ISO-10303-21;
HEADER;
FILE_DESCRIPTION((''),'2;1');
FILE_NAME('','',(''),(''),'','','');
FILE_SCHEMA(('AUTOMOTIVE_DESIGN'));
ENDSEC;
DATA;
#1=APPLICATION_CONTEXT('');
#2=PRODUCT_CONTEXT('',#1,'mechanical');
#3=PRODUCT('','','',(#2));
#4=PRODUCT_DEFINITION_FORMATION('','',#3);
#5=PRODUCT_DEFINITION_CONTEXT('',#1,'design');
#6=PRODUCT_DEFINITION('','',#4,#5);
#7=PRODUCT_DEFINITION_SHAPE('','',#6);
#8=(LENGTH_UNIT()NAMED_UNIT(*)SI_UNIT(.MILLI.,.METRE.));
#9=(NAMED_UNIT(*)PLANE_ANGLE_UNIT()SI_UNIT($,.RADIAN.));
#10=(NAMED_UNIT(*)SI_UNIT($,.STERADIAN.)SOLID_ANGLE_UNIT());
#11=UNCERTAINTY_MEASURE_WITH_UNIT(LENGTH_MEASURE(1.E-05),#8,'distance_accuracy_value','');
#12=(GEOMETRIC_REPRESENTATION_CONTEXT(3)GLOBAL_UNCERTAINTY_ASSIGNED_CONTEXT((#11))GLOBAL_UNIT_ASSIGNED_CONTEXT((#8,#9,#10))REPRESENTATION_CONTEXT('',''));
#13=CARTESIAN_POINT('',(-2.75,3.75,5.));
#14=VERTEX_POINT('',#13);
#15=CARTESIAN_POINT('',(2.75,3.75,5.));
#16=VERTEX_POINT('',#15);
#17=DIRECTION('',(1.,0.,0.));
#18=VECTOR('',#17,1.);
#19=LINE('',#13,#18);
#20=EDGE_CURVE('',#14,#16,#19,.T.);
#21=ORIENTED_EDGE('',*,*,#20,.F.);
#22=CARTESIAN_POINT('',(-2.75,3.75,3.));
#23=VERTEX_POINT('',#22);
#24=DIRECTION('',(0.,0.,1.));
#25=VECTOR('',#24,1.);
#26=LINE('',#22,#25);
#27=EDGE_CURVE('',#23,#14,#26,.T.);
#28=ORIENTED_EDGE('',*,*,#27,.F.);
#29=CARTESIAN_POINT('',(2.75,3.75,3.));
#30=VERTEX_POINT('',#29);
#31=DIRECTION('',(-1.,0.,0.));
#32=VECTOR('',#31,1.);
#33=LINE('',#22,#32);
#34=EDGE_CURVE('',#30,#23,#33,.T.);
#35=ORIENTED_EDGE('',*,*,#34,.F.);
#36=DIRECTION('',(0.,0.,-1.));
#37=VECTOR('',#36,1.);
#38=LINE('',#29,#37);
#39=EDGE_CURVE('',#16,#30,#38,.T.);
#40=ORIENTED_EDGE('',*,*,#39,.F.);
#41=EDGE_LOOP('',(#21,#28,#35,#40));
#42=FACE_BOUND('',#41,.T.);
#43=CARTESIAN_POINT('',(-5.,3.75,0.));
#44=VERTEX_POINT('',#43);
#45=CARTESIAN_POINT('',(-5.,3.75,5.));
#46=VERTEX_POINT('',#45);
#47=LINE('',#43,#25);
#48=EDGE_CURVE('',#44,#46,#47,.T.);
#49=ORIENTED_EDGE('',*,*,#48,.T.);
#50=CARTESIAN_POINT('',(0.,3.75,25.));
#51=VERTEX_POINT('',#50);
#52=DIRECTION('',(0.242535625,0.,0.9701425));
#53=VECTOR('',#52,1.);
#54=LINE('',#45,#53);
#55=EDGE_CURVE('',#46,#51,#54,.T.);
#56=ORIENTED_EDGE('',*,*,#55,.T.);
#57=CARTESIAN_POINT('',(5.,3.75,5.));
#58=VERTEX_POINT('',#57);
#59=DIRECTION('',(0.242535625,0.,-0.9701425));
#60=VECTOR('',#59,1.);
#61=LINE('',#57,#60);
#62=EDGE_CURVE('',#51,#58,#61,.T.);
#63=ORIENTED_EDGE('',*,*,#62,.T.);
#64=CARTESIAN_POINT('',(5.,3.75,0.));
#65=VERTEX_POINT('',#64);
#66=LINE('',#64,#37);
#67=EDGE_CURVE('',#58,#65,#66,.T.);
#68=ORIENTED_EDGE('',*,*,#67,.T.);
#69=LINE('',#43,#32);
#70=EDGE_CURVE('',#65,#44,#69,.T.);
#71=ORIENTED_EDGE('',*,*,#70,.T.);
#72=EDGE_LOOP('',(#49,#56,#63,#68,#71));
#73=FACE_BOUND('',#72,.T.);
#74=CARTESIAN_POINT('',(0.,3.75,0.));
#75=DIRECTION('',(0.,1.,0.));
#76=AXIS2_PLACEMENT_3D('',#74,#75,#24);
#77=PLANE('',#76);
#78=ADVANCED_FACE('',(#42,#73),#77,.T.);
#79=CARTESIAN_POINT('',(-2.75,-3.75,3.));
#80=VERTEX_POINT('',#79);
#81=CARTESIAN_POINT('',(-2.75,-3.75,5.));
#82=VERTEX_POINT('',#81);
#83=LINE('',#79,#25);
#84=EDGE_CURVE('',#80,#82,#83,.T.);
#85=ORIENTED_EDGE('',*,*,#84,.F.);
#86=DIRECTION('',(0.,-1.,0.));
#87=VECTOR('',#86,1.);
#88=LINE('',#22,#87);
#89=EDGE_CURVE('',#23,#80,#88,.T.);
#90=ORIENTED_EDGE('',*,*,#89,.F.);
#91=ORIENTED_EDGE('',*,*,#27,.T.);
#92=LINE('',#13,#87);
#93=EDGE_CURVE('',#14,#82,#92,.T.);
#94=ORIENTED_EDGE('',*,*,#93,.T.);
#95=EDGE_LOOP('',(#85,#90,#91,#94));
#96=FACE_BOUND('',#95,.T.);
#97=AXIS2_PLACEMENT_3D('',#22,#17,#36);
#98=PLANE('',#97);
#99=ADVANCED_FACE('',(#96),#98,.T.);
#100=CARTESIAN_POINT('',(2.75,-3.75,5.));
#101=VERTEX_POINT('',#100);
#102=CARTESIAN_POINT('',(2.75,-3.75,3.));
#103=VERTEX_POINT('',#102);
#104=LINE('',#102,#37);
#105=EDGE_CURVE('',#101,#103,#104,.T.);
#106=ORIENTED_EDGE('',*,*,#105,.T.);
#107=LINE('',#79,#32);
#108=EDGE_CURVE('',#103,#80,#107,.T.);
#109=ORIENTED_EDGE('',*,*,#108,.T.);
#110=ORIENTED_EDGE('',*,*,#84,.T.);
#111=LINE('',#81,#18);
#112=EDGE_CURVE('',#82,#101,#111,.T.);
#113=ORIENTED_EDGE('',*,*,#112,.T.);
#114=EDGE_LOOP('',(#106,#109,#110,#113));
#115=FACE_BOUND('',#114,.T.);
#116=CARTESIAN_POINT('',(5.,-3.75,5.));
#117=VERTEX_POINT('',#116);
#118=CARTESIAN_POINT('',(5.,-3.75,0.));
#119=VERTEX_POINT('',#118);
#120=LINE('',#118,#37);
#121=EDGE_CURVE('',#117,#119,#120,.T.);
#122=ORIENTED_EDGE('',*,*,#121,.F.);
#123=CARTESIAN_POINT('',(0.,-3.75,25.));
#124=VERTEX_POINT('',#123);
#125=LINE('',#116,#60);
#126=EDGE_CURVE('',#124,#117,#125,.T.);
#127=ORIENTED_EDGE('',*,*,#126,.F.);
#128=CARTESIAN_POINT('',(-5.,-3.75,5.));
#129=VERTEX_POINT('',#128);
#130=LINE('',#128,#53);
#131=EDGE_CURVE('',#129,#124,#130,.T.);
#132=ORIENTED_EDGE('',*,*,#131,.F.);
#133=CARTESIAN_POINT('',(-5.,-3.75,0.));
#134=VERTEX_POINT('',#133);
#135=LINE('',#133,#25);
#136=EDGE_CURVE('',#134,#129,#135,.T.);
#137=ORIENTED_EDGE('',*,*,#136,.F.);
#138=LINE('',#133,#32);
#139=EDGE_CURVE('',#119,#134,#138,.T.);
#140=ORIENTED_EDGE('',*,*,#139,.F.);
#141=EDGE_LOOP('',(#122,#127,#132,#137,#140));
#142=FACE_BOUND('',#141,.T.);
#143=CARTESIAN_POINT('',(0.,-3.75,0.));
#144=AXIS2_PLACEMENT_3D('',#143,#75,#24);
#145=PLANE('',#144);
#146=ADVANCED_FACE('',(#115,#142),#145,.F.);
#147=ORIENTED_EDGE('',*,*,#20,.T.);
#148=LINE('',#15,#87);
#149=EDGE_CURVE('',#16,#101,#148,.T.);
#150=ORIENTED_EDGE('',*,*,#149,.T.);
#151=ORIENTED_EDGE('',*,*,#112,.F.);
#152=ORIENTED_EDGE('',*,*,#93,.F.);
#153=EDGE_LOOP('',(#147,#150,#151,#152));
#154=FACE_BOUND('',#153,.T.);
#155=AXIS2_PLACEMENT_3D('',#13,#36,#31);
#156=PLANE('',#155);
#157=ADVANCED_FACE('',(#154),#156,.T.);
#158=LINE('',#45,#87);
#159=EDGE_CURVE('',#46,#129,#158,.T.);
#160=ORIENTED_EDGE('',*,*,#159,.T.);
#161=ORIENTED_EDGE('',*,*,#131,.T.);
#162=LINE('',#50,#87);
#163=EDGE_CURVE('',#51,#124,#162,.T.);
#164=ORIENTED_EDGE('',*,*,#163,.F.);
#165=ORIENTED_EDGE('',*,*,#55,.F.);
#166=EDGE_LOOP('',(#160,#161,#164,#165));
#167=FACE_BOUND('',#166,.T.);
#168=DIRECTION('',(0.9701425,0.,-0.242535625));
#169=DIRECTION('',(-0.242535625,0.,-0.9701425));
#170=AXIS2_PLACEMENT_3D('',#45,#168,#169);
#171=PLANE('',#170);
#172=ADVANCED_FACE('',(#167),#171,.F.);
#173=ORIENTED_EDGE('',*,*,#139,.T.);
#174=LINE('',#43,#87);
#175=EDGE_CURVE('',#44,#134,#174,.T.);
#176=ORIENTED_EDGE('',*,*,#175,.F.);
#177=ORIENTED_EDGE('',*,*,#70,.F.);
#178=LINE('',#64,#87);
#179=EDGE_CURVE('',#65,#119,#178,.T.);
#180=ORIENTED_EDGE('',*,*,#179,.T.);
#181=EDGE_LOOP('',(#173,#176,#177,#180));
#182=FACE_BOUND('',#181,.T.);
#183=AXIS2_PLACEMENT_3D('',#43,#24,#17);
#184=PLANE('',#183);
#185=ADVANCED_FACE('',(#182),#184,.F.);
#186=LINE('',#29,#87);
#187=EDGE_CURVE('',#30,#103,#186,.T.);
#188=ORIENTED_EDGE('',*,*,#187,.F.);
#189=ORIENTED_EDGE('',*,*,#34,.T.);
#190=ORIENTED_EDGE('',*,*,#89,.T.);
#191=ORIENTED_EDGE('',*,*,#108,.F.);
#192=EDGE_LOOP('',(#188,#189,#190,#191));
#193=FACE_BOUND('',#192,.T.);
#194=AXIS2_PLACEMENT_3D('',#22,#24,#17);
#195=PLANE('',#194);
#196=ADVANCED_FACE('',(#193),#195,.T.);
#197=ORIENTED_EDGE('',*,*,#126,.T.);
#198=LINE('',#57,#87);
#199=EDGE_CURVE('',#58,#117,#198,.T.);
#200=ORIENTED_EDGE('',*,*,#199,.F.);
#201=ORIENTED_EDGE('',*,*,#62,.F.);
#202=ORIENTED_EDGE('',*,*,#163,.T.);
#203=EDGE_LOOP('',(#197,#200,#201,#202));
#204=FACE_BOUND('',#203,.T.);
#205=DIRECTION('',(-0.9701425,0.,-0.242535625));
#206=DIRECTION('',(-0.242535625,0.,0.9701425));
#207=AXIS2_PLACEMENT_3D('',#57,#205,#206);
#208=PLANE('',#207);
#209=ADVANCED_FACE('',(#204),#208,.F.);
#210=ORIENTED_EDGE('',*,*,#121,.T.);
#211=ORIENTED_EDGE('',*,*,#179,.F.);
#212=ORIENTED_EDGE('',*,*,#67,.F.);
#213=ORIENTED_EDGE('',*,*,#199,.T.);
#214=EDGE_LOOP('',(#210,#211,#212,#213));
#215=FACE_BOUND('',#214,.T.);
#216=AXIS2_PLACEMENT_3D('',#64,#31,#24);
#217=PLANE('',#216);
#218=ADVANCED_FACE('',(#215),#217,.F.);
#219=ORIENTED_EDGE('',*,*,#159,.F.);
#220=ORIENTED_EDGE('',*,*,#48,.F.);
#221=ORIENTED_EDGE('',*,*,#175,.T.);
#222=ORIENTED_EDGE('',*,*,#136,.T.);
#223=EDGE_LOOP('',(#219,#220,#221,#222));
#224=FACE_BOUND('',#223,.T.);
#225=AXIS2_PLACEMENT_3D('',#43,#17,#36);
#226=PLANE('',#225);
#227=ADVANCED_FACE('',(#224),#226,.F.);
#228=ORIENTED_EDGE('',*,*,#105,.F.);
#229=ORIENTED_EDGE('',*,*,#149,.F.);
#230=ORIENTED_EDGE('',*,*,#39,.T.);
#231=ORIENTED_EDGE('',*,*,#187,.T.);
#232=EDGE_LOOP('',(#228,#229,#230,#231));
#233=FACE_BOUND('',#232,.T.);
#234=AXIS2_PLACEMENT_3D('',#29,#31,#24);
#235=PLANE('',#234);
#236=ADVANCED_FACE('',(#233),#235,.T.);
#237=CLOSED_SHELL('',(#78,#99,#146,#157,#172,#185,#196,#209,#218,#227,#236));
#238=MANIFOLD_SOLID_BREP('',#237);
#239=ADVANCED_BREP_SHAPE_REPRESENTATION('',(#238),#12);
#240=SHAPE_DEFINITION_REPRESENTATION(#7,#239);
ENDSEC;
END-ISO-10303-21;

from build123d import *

# Parameters (mm, degrees)
SKETCH2_W  = 5.5
SKETCH2_H  = 2
BODY_DEPTH = 3.75


with BuildPart() as part:
    # Sketch2 → Body (new, symmetric)
    with BuildSketch(Plane(origin=(0, 0, 0), x_dir=(1, 0, 0), z_dir=(0, 1, 0))):
        Polygon((-5, -5), (0, -25), (5, -5), (5, 0), (-5, 0), align=None)
        with Locations((0, -4)):
            Rectangle(SKETCH2_W, SKETCH2_H, mode=Mode.SUBTRACT)
    extrude(amount=BODY_DEPTH, both=True)


solid = part.part
